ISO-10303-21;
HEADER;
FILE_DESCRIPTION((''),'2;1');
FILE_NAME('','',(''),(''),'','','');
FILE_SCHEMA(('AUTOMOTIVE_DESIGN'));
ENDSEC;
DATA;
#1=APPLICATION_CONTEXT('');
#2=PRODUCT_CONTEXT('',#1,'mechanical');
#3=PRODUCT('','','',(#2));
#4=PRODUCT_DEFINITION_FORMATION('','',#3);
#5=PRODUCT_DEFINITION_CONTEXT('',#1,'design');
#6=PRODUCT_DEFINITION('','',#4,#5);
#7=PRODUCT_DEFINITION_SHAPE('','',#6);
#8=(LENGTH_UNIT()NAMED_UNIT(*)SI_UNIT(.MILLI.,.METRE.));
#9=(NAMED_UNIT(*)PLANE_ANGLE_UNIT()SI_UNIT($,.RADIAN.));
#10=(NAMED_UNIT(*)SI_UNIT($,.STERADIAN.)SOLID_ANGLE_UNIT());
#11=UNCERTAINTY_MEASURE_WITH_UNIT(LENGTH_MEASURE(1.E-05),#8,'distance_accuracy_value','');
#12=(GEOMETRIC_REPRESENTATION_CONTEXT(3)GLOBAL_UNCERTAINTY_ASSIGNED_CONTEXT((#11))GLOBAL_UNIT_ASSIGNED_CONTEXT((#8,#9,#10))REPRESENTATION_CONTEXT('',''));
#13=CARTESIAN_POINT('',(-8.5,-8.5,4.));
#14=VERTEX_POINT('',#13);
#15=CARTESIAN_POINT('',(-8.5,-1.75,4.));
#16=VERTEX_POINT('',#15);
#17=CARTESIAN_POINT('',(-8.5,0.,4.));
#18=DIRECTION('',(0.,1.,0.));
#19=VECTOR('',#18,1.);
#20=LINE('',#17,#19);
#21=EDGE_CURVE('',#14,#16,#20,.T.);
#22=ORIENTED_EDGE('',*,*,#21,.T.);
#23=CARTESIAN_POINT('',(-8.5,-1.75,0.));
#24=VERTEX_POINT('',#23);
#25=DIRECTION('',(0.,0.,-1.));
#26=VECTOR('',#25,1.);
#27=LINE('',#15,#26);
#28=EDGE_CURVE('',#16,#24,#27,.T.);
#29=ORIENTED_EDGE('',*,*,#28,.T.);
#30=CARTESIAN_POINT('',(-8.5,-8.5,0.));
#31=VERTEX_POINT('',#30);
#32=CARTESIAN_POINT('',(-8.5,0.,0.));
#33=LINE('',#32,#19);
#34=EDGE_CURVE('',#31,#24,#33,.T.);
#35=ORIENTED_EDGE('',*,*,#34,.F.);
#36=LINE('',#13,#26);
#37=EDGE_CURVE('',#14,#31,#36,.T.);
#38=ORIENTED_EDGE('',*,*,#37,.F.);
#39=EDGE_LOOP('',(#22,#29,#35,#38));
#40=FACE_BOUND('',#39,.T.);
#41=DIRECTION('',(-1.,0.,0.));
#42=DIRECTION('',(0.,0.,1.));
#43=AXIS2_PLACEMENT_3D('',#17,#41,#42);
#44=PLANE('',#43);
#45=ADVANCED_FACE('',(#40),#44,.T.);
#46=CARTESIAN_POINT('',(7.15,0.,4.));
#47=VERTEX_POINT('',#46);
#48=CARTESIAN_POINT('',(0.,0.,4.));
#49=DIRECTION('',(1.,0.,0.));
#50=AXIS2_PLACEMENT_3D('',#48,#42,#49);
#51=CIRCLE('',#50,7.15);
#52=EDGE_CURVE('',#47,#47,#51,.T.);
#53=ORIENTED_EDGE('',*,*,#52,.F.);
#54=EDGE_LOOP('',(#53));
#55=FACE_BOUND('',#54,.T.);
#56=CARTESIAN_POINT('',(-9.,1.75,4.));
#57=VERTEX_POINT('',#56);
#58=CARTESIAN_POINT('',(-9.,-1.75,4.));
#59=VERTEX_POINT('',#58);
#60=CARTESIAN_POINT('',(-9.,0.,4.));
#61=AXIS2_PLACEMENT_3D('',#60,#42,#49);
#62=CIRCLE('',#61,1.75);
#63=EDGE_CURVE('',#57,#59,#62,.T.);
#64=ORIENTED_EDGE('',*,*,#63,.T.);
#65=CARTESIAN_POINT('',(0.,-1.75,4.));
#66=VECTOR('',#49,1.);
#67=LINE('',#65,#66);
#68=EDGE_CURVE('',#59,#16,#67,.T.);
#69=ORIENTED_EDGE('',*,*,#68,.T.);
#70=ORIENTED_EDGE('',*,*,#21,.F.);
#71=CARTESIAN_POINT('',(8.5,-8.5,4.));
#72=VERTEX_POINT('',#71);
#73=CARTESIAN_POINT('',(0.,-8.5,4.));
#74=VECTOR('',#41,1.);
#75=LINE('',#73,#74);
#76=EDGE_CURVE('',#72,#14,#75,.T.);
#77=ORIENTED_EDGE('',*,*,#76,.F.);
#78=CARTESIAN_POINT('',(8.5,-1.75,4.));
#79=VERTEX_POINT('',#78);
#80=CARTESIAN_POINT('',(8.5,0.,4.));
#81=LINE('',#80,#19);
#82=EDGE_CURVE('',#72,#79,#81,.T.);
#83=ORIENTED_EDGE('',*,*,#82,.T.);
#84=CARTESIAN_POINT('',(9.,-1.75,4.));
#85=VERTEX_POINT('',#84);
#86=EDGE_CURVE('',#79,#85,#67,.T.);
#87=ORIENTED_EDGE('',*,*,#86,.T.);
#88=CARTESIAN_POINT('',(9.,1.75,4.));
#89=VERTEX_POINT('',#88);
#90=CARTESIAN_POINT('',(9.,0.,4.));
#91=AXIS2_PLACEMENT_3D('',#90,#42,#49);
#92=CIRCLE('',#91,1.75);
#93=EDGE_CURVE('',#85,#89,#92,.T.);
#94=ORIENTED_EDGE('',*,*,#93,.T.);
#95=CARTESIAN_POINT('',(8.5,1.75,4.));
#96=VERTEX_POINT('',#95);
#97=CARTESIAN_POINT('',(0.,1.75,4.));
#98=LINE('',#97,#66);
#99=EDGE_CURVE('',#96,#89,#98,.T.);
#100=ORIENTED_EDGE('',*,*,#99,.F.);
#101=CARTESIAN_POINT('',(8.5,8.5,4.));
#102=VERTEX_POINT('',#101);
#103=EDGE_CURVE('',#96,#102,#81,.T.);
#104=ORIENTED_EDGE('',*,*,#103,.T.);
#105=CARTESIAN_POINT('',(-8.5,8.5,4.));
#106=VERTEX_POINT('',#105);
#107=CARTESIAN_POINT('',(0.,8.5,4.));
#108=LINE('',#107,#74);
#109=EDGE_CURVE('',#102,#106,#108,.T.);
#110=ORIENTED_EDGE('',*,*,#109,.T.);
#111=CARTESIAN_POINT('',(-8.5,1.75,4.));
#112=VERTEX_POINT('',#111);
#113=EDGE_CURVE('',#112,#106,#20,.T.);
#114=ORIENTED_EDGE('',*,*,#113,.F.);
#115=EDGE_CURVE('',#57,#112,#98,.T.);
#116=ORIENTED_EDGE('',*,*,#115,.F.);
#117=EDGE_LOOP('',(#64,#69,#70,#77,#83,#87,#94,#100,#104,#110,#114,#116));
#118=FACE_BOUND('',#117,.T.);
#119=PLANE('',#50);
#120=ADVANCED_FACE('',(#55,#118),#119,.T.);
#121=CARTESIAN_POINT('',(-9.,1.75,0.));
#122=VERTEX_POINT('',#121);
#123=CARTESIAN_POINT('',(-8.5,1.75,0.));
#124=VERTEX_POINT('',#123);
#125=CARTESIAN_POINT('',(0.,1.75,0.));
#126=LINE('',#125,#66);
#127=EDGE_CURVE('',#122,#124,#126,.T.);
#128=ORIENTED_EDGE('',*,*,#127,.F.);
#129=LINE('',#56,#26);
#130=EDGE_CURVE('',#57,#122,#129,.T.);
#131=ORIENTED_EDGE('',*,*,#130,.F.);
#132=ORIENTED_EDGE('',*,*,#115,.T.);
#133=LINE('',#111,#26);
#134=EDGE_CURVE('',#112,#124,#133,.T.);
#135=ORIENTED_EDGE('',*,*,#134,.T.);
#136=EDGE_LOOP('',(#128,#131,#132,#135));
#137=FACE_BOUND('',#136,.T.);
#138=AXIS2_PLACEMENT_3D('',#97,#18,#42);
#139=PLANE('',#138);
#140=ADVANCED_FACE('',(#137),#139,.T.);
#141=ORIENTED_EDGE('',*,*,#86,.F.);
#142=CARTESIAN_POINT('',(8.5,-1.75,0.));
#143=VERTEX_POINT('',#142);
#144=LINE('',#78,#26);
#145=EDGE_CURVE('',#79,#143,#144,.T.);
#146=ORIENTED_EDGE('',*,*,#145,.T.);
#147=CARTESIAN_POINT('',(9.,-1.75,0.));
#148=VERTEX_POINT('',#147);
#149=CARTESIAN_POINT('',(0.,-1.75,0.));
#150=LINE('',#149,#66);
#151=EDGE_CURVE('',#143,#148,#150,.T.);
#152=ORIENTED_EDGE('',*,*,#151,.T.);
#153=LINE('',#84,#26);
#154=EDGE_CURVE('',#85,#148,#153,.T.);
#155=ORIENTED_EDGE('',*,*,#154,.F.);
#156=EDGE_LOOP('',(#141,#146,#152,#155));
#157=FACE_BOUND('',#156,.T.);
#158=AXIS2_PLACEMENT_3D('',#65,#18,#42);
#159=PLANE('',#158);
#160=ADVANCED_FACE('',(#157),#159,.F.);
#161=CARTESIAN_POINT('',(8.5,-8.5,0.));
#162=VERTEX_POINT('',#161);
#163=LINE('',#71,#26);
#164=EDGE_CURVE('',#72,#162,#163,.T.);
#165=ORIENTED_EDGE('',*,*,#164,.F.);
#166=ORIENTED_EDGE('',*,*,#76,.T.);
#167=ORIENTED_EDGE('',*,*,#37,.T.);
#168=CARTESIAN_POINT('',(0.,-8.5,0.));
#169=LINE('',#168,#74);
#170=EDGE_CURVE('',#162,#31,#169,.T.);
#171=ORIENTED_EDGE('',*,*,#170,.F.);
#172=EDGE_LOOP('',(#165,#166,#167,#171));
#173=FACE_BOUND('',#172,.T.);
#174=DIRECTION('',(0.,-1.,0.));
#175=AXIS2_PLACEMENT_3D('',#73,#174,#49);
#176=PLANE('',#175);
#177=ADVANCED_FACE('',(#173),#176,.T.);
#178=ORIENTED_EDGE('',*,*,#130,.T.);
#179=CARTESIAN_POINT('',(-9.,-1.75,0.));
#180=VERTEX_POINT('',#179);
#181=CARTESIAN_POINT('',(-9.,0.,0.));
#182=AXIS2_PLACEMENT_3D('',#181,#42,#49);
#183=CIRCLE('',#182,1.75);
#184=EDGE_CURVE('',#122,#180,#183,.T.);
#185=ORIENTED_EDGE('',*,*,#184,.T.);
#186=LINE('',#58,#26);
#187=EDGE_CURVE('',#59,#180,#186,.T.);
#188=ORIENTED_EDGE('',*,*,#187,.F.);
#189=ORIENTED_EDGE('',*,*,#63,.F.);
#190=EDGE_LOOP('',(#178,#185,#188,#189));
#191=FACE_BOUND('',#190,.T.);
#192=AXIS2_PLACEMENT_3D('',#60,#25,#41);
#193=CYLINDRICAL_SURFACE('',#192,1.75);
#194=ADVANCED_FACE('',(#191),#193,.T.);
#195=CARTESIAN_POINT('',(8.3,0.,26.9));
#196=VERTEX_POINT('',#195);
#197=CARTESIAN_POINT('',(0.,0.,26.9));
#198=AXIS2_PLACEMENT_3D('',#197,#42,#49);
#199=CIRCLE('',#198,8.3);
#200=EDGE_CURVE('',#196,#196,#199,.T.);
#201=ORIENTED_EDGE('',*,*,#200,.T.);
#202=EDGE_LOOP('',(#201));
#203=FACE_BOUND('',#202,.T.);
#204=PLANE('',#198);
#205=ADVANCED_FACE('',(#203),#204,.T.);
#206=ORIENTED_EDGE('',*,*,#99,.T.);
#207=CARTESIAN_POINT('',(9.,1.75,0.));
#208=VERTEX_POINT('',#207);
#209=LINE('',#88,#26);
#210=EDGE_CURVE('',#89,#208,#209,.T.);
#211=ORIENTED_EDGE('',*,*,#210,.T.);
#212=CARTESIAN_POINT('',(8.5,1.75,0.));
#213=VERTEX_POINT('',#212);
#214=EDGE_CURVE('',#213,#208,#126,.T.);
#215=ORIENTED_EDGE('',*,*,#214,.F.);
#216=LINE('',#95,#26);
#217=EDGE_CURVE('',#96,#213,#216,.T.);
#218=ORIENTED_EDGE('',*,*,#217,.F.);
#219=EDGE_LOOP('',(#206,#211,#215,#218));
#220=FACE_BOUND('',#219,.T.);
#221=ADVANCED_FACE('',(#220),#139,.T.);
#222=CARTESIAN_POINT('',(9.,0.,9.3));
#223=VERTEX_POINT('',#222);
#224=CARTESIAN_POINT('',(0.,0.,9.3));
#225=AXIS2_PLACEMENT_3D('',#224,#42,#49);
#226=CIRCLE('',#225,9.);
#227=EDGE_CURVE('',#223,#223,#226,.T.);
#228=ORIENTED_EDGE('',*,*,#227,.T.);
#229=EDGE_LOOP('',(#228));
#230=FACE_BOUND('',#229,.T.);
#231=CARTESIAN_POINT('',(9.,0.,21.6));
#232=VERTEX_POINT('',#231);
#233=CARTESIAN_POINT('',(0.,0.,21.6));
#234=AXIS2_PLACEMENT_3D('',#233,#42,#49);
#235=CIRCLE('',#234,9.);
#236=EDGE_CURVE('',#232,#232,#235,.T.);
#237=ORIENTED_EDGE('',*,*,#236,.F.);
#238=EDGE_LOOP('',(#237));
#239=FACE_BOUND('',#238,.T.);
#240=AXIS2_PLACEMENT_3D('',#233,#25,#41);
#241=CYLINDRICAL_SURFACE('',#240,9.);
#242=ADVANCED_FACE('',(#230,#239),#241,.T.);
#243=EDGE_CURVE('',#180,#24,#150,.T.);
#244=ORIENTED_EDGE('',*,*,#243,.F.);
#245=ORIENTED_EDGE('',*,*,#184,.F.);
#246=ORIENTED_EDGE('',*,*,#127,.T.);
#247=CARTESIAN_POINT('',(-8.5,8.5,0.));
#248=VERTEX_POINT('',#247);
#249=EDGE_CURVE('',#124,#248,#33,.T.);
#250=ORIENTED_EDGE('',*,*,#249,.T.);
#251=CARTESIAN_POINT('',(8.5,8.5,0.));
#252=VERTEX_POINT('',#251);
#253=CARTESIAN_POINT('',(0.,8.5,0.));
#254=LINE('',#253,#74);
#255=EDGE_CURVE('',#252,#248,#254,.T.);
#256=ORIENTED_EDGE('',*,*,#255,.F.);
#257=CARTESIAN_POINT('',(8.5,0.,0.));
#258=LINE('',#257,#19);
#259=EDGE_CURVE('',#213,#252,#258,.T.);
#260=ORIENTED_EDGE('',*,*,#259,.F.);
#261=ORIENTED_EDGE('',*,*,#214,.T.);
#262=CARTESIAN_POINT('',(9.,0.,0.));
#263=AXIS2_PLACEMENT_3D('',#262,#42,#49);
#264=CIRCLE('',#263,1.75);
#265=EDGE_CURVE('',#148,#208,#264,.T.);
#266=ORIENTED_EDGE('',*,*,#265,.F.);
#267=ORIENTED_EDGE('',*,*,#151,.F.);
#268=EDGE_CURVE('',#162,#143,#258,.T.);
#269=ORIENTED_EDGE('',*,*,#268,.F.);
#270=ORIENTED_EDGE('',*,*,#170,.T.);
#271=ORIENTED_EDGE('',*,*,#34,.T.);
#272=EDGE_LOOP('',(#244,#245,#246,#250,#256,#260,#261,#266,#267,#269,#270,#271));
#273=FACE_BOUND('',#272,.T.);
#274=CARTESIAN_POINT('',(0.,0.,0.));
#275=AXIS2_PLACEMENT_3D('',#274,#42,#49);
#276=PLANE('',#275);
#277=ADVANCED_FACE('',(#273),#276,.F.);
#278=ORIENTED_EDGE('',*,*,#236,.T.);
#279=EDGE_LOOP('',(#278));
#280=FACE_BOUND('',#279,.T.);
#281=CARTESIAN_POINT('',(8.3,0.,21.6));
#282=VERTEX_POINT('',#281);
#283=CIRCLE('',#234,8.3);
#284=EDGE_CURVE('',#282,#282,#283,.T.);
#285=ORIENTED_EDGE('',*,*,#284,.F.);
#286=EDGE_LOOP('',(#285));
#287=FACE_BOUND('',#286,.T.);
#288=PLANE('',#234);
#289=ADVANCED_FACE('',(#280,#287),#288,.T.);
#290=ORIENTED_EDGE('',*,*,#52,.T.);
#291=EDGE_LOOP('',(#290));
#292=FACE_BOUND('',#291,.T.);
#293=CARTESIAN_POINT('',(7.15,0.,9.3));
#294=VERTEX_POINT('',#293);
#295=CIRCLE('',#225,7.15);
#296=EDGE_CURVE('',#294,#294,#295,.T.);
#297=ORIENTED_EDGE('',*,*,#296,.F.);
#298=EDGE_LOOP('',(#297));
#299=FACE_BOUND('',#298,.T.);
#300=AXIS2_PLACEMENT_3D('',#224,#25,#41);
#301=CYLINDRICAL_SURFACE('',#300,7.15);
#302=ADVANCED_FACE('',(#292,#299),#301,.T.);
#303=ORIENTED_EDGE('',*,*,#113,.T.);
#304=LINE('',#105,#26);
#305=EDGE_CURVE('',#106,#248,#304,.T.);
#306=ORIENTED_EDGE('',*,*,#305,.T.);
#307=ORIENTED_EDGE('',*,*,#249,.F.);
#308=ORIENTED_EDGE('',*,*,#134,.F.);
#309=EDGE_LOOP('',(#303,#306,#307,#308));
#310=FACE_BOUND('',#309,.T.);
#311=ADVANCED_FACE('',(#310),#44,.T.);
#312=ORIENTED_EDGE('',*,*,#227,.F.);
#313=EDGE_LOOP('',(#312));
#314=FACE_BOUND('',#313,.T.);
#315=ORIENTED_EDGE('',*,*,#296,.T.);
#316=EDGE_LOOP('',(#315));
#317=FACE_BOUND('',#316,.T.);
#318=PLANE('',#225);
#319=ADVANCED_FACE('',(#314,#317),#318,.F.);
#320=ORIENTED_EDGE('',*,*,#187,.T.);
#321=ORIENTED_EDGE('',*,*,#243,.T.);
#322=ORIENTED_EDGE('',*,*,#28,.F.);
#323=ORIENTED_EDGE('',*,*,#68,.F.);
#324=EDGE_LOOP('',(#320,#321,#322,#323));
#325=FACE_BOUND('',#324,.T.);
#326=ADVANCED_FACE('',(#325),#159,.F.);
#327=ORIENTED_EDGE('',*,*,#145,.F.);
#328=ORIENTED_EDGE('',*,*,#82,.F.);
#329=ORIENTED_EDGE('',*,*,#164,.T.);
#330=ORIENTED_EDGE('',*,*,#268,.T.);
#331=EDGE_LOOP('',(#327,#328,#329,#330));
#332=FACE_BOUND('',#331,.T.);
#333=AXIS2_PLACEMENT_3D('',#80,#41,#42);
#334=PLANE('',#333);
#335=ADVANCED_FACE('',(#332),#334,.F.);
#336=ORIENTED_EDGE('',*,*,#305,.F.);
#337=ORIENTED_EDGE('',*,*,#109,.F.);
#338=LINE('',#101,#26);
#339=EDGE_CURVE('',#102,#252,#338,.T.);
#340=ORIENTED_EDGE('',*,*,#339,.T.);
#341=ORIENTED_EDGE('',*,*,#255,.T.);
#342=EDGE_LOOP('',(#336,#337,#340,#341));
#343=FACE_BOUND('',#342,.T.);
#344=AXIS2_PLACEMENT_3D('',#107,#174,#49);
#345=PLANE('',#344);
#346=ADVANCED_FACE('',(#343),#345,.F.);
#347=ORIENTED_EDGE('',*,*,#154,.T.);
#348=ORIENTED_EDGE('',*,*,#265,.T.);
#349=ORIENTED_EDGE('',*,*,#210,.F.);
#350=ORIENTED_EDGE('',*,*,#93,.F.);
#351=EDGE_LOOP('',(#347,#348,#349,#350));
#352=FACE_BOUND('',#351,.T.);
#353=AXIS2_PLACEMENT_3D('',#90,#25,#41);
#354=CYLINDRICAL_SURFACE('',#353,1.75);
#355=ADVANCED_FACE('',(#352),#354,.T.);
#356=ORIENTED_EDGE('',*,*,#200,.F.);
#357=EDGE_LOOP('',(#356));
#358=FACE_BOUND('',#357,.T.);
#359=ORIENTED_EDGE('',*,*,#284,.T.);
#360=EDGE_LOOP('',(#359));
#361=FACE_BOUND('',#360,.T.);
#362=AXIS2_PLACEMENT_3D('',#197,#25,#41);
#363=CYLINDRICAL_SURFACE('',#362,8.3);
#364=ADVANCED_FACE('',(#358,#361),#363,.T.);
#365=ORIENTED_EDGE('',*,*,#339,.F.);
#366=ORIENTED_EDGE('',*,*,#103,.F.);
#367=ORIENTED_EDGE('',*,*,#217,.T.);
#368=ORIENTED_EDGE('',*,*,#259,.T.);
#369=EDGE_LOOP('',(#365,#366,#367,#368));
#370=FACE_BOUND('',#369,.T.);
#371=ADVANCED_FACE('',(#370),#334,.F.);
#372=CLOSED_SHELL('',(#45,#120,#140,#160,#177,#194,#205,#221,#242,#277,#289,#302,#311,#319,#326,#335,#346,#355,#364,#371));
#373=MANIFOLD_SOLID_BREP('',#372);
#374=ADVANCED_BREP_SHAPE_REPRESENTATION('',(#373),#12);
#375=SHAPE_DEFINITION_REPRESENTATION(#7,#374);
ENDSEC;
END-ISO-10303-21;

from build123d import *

# Parameters (mm, degrees)
SKETCH2_W           = 17
SKETCH2_H           = 3.5
SKETCH2_H_2         = 6.75
BOSS_EXTRUDE1_DEPTH = 4
SKETCH3_R           = 7.15
BOSS_EXTRUDE2_DEPTH = 5.3
SKETCH4_R           = 9
BOSS_EXTRUDE3_DEPTH = 12.3
SKETCH5_R           = 8.3
BOSS_EXTRUDE4_DEPTH = 5.3


with BuildPart() as part:
    # Sketch2 → Boss-Extrude1 (new body)
    with BuildSketch(Plane.XY):
        Rectangle(SKETCH2_W, SKETCH2_H)
        with BuildLine():
            Line((-9, -1.75), (-8.5, -1.75))
            Line((-8.5, -1.75), (-8.5, 1.75))
            Line((-8.5, 1.75), (-9, 1.75))
            ThreePointArc((-9, 1.75), (-10.75, 0), (-9, -1.75))
        make_face()
        with Locations((0, 5.125)):
            Rectangle(SKETCH2_W, SKETCH2_H_2)
        with Locations((0, -5.125)):
            Rectangle(SKETCH2_W, SKETCH2_H_2)
        with BuildLine():
            Line((8.5, 1.75), (8.5, -1.75))
            Line((8.5, -1.75), (9, -1.75))
            ThreePointArc((9, -1.75), (10.75, 0), (9, 1.75))
            Line((9, 1.75), (8.5, 1.75))
        make_face()
    extrude(amount=BOSS_EXTRUDE1_DEPTH)

    # Sketch3 → Boss-Extrude2 (add)
    with BuildSketch(Plane.XY.offset(4)):
        Circle(SKETCH3_R)
    extrude(amount=BOSS_EXTRUDE2_DEPTH)

    # Sketch4 → Boss-Extrude3 (add)
    with BuildSketch(Plane.XY.offset(9.3)):
        Circle(SKETCH4_R)
    extrude(amount=BOSS_EXTRUDE3_DEPTH)

    # Sketch5 → Boss-Extrude4 (add)
    with BuildSketch(Plane.XY.offset(21.6)):
        Circle(SKETCH5_R)
    extrude(amount=BOSS_EXTRUDE4_DEPTH)


solid = part.part
